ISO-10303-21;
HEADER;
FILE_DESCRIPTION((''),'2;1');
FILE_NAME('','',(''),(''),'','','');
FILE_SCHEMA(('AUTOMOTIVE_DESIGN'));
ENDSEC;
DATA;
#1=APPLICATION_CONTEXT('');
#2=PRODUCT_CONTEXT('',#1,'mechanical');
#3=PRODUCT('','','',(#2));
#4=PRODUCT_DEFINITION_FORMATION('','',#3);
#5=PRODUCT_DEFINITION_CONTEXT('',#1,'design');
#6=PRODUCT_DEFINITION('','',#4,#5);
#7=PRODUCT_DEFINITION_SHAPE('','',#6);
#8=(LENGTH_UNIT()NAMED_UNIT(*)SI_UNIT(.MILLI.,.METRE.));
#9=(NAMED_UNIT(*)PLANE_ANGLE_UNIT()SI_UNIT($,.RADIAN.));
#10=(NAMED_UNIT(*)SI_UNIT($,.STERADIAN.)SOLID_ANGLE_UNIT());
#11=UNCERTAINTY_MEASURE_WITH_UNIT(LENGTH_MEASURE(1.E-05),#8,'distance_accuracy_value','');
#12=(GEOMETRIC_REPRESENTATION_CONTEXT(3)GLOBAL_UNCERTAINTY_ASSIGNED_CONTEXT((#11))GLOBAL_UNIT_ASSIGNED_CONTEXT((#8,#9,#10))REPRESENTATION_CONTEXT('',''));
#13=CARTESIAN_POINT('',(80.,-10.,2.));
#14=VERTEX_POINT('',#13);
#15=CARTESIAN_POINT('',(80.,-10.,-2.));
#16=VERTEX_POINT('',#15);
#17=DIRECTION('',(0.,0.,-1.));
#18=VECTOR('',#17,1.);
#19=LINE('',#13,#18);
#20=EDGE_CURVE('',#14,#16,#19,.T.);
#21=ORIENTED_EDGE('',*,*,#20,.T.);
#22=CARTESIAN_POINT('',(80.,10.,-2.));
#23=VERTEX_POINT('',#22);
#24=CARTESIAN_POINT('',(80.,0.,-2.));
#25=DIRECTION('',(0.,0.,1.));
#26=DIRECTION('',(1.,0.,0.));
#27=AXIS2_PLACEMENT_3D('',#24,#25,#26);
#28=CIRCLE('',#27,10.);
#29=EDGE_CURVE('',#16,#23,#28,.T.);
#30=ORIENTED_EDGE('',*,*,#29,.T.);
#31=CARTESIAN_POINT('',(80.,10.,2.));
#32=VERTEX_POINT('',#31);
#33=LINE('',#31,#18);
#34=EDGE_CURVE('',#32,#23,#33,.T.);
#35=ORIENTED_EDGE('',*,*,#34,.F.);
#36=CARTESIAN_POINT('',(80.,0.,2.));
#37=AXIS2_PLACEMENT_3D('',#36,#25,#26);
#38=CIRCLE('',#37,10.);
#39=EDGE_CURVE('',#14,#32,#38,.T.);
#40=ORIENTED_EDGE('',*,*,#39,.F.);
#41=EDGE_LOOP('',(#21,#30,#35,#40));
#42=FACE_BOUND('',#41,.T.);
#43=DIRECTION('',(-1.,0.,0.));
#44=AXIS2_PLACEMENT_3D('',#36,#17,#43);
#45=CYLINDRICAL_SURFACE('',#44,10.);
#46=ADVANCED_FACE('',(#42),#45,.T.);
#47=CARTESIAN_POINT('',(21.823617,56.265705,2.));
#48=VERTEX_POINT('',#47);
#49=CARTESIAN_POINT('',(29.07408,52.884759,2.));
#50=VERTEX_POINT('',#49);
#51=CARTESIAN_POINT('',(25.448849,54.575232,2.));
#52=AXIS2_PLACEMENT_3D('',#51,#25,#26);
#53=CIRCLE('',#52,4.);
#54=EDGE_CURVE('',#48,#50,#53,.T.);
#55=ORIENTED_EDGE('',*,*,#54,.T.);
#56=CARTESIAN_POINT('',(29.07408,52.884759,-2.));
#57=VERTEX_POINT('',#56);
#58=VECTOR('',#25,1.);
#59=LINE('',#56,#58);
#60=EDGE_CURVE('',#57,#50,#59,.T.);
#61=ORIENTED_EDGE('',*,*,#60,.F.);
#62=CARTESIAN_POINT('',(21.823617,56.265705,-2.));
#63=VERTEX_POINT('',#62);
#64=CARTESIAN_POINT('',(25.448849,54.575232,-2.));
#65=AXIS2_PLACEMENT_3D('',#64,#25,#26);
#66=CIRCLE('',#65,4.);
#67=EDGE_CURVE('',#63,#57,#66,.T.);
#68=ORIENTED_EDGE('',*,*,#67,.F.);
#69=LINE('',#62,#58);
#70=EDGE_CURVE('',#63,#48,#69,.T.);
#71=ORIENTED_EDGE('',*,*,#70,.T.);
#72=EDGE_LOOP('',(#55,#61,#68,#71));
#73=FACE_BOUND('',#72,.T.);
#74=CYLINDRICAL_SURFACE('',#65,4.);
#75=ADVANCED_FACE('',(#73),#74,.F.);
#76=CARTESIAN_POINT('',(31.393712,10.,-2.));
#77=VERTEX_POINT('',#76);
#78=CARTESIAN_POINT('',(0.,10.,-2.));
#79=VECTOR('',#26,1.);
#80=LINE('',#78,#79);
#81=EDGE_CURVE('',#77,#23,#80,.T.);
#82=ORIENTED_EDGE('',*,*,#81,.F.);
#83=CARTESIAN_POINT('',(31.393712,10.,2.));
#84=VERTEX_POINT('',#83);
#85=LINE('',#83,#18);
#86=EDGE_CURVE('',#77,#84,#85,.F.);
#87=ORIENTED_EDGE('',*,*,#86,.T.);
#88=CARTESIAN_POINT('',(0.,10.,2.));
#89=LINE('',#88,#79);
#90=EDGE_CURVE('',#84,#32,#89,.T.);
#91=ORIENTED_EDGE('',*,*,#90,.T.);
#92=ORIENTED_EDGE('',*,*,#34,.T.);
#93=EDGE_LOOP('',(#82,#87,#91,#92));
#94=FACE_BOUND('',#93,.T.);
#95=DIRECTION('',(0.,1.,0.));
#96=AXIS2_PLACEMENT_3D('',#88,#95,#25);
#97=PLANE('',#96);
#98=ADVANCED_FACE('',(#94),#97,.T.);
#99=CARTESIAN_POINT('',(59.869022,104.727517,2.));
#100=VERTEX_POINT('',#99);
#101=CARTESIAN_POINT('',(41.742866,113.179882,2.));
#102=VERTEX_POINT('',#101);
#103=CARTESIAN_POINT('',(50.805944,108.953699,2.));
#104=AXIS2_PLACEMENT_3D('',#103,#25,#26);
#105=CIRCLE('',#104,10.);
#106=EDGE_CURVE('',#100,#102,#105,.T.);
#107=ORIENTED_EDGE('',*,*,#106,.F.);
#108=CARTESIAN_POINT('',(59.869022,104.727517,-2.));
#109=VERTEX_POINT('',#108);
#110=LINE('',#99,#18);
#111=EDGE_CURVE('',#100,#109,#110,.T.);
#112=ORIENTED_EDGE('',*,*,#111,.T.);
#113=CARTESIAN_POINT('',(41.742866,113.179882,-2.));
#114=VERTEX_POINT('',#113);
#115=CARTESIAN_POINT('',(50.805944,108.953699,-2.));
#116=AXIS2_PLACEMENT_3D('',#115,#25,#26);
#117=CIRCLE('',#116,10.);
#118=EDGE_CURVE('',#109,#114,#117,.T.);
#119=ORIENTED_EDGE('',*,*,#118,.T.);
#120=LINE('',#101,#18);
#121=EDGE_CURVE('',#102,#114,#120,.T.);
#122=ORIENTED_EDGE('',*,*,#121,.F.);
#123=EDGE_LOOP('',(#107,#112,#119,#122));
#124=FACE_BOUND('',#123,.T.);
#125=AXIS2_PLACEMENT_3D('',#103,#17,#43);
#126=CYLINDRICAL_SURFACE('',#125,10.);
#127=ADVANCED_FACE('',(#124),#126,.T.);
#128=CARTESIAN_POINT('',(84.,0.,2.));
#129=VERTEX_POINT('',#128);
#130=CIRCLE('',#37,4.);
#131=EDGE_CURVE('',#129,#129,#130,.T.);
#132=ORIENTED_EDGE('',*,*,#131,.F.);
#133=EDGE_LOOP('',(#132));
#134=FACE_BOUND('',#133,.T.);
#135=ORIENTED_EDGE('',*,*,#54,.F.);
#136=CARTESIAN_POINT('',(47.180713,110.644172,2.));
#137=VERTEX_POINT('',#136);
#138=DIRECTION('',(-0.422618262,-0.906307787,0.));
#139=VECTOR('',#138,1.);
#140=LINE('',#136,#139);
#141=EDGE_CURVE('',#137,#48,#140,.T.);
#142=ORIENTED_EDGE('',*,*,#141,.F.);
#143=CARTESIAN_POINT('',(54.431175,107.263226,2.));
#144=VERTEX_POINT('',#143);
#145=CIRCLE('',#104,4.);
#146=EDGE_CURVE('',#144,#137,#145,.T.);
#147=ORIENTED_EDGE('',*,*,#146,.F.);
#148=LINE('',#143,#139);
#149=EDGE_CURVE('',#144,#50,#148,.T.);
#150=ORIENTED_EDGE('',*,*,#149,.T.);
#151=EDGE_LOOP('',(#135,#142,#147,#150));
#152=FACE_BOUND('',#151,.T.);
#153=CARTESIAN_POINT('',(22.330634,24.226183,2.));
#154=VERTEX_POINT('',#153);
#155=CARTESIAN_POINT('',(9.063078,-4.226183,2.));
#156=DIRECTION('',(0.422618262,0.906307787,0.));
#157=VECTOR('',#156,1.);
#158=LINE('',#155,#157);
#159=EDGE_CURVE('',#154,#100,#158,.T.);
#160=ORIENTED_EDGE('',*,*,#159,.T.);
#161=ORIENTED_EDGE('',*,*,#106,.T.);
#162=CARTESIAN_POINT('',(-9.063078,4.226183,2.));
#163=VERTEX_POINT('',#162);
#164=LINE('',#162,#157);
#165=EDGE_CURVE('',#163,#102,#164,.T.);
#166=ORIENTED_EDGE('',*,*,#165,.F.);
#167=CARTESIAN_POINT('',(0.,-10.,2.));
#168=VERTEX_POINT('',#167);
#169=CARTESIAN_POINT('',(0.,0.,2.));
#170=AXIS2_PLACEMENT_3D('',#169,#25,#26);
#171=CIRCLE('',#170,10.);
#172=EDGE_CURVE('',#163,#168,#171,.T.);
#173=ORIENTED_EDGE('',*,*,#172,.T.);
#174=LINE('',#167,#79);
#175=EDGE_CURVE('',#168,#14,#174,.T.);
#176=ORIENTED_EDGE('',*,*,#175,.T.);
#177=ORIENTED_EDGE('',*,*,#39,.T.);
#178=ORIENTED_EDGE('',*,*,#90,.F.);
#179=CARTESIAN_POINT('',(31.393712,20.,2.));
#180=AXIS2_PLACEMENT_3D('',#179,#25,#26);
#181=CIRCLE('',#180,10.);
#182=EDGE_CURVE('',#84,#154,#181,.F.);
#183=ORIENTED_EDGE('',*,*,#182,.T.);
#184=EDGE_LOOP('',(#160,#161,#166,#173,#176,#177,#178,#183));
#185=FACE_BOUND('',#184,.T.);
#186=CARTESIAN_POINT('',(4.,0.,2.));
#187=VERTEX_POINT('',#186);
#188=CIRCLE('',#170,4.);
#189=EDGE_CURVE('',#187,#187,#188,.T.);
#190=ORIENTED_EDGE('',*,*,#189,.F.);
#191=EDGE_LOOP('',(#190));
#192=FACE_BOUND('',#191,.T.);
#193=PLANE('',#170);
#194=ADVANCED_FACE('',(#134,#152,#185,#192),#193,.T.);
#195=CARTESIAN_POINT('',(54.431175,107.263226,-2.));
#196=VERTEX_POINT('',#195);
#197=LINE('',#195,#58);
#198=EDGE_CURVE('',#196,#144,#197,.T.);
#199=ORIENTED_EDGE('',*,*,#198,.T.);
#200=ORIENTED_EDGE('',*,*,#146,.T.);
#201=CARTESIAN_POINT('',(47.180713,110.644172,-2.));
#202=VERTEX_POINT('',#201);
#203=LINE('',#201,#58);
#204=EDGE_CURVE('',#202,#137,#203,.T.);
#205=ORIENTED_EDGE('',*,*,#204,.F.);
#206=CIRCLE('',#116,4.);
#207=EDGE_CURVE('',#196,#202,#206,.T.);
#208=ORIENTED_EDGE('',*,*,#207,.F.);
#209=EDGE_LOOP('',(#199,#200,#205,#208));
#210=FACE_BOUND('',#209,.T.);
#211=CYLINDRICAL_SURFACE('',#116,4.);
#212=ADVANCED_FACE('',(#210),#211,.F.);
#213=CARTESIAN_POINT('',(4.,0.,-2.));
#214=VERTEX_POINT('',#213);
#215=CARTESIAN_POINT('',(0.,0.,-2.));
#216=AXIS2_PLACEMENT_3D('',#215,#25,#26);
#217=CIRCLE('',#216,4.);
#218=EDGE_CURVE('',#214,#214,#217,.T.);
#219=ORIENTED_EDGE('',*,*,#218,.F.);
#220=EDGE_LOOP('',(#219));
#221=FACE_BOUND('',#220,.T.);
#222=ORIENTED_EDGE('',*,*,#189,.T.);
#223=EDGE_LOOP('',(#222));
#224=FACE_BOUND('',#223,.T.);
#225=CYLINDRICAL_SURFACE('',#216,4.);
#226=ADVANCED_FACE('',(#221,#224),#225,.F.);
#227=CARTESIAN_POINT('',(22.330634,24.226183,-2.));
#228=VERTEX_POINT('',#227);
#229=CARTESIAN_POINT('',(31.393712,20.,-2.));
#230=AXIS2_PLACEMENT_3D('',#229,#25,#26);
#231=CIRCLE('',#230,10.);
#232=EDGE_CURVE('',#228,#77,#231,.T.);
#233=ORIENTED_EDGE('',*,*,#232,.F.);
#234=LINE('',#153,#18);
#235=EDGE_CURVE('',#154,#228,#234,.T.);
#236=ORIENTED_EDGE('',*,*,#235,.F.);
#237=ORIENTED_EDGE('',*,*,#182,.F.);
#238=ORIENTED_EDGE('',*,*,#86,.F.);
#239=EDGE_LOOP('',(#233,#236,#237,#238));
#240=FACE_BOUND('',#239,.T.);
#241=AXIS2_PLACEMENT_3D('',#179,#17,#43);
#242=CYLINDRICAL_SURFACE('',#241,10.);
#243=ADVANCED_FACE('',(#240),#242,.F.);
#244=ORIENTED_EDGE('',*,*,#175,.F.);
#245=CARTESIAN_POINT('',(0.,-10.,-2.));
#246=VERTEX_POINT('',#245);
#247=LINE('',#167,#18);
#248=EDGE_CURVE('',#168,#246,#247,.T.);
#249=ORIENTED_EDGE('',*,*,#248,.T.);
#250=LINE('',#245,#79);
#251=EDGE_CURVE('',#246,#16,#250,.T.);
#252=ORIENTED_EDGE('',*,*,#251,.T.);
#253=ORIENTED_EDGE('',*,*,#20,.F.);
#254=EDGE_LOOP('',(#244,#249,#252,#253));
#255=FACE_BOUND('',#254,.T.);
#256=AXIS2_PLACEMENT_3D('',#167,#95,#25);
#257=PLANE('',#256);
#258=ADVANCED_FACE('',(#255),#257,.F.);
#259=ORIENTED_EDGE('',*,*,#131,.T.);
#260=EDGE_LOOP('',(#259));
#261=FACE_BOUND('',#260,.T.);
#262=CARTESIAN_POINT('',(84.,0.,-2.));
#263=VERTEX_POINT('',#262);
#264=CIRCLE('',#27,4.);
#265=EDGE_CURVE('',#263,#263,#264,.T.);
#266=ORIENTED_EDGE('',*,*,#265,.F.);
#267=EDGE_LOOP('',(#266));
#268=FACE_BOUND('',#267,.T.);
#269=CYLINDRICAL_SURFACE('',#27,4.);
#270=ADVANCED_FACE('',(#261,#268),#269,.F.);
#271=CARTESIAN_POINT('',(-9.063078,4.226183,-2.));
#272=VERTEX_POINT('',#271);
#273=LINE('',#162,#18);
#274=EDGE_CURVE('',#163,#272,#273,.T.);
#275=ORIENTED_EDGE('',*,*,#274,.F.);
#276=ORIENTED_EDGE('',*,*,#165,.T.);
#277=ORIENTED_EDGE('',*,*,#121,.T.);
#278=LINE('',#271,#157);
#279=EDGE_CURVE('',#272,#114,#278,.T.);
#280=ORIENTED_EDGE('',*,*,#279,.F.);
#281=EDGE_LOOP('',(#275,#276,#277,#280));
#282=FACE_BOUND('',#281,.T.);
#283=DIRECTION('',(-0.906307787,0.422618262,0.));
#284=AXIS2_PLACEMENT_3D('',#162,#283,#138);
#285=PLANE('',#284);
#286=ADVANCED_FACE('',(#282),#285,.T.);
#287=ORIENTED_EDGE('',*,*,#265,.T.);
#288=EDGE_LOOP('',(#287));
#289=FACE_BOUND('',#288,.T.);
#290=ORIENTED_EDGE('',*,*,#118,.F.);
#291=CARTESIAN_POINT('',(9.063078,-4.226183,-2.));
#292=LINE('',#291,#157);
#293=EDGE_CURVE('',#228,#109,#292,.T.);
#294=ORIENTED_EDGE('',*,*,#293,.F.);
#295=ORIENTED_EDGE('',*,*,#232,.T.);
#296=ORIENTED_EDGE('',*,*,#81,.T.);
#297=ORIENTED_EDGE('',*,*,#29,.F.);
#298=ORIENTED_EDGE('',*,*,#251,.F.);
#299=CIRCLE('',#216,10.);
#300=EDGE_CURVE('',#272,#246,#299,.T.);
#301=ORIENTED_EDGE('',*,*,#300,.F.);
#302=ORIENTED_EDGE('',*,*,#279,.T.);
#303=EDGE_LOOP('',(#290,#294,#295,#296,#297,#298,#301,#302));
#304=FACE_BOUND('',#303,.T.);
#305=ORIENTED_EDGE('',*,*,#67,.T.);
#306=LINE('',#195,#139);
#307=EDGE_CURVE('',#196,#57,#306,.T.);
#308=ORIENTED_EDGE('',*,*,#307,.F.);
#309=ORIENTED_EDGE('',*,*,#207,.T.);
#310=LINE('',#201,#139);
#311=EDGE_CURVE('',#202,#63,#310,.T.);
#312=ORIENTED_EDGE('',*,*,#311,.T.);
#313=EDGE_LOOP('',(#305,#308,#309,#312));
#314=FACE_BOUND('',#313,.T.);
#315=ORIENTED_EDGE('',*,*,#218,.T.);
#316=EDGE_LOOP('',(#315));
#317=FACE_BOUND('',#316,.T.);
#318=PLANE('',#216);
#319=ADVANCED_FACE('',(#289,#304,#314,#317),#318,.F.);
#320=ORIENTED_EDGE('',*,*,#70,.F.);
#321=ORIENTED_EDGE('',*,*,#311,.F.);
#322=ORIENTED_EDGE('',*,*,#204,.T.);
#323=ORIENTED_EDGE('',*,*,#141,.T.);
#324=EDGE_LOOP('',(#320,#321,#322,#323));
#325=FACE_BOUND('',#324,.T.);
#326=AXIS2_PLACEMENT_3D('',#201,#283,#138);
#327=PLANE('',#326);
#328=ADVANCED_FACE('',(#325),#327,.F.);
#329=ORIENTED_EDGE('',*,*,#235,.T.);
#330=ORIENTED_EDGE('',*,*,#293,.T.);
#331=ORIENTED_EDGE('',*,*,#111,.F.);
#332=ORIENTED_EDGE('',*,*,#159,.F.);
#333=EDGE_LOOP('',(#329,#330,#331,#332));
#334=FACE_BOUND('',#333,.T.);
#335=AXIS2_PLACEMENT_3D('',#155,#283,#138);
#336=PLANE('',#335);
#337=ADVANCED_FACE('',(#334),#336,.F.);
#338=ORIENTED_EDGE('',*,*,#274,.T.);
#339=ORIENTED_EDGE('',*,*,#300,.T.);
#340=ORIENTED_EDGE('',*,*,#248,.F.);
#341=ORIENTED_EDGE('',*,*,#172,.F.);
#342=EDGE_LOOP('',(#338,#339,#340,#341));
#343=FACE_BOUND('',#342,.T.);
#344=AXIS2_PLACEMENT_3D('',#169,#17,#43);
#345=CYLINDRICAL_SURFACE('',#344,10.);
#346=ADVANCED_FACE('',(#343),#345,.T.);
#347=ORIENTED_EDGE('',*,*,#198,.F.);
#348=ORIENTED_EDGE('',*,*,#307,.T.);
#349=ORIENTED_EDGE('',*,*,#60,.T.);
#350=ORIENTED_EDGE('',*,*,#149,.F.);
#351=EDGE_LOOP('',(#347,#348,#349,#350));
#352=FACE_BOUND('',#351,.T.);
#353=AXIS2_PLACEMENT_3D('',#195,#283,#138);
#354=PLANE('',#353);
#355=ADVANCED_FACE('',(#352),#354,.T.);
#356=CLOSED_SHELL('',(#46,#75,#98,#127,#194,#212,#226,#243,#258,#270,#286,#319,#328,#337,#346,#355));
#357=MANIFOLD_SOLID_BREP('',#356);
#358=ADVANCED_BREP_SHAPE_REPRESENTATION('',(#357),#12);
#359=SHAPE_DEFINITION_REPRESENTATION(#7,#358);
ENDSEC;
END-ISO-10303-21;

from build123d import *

# Parameters (mm, degrees)
BOSS_EXTRUDE1_DEPTH     = 2
CUT_EXTRUDE1_DEPTH      = 150.177687816
CUT_EXTRUDE1_DEPTH_BACK = 150.177687816
CUT_EXTRUDE2_DEPTH      = 150.177687816
CUT_EXTRUDE2_DEPTH_BACK = 150.177687816
SKETCH4_R               = 4
FILLET2_R               = 10


with BuildPart() as part:
    # Sketch2 → Boss-Extrude1 (new, symmetric)
    with BuildSketch(Plane.XY):
        with BuildLine():
            ThreePointArc((0, 10), (-5.372996083, 8.433914458), (-9.06307787, 4.226182617))
            ThreePointArc((-9.06307787, 4.226182617), (-8.433914458, -5.372996083), (0, -10))
            ThreePointArc((0, -10), (5.372996083, -8.433914458), (9.06307787, -4.226182617))
            Line((9.06307787, -4.226182617), (15.696855771, 10))
            Line((15.696855771, 10), (0, 10))
        make_face()
        with BuildLine():
            Line((41.742866429, 113.179881771), (-9.06307787, 4.226182617))
            ThreePointArc((-9.06307787, 4.226182617), (-5.372996083, 8.433914458), (0, 10))
            Line((0, 10), (15.696855771, 10))
            Line((15.696855771, 10), (59.86902217, 104.727516536))
            ThreePointArc((59.86902217, 104.727516536), (55.032126917, 118.016777024), (41.742866429, 113.179881771))
        make_face()
        with BuildLine():
            ThreePointArc((9.06307787, -4.226182617), (5.372996083, -8.433914458), (0, -10))
            Line((0, -10), (80, -10))
            ThreePointArc((80, -10), (90, 0), (80, 10))
            Line((80, 10), (15.696855771, 10))
            Line((15.696855771, 10), (9.06307787, -4.226182617))
        make_face()
    extrude(amount=BOSS_EXTRUDE1_DEPTH, both=True)

    # Sketch3 → Cut-Extrude1 (cut, two sides: drawn at the far end of the back side and taken through both)
    with BuildSketch(Plane.XY.offset(-CUT_EXTRUDE1_DEPTH_BACK)):
        with BuildLine():
            Line((54.431175448, 107.263226106), (29.074079743, 52.884758884))
            ThreePointArc((29.074079743, 52.884758884), (23.758375548, 50.950000783), (21.823617447, 56.265704978))
            Line((21.823617447, 56.265704978), (47.180713151, 110.6441722))
            ThreePointArc((47.180713151, 110.6441722), (52.496417346, 112.578930301), (54.431175448, 107.263226106))
        make_face()
    extrude(amount=CUT_EXTRUDE1_DEPTH + CUT_EXTRUDE1_DEPTH_BACK, mode=Mode.SUBTRACT)

    # Sketch4 → Cut-Extrude2 (cut, two sides: drawn at the far end of the back side and taken through both)
    with BuildSketch(Plane.XY.offset(-CUT_EXTRUDE2_DEPTH_BACK)):
        with Locations((80, 0)):
            Circle(SKETCH4_R)
        Circle(SKETCH4_R)
    extrude(amount=CUT_EXTRUDE2_DEPTH + CUT_EXTRUDE2_DEPTH_BACK, mode=Mode.SUBTRACT)

    # Fillet2
    fillet2_edges = [part.edges().sort_by_distance(p)[0] for p in [
        (15.696855771, 10, 0),
    ]]
    fillet(fillet2_edges, radius=FILLET2_R)


solid = part.part
